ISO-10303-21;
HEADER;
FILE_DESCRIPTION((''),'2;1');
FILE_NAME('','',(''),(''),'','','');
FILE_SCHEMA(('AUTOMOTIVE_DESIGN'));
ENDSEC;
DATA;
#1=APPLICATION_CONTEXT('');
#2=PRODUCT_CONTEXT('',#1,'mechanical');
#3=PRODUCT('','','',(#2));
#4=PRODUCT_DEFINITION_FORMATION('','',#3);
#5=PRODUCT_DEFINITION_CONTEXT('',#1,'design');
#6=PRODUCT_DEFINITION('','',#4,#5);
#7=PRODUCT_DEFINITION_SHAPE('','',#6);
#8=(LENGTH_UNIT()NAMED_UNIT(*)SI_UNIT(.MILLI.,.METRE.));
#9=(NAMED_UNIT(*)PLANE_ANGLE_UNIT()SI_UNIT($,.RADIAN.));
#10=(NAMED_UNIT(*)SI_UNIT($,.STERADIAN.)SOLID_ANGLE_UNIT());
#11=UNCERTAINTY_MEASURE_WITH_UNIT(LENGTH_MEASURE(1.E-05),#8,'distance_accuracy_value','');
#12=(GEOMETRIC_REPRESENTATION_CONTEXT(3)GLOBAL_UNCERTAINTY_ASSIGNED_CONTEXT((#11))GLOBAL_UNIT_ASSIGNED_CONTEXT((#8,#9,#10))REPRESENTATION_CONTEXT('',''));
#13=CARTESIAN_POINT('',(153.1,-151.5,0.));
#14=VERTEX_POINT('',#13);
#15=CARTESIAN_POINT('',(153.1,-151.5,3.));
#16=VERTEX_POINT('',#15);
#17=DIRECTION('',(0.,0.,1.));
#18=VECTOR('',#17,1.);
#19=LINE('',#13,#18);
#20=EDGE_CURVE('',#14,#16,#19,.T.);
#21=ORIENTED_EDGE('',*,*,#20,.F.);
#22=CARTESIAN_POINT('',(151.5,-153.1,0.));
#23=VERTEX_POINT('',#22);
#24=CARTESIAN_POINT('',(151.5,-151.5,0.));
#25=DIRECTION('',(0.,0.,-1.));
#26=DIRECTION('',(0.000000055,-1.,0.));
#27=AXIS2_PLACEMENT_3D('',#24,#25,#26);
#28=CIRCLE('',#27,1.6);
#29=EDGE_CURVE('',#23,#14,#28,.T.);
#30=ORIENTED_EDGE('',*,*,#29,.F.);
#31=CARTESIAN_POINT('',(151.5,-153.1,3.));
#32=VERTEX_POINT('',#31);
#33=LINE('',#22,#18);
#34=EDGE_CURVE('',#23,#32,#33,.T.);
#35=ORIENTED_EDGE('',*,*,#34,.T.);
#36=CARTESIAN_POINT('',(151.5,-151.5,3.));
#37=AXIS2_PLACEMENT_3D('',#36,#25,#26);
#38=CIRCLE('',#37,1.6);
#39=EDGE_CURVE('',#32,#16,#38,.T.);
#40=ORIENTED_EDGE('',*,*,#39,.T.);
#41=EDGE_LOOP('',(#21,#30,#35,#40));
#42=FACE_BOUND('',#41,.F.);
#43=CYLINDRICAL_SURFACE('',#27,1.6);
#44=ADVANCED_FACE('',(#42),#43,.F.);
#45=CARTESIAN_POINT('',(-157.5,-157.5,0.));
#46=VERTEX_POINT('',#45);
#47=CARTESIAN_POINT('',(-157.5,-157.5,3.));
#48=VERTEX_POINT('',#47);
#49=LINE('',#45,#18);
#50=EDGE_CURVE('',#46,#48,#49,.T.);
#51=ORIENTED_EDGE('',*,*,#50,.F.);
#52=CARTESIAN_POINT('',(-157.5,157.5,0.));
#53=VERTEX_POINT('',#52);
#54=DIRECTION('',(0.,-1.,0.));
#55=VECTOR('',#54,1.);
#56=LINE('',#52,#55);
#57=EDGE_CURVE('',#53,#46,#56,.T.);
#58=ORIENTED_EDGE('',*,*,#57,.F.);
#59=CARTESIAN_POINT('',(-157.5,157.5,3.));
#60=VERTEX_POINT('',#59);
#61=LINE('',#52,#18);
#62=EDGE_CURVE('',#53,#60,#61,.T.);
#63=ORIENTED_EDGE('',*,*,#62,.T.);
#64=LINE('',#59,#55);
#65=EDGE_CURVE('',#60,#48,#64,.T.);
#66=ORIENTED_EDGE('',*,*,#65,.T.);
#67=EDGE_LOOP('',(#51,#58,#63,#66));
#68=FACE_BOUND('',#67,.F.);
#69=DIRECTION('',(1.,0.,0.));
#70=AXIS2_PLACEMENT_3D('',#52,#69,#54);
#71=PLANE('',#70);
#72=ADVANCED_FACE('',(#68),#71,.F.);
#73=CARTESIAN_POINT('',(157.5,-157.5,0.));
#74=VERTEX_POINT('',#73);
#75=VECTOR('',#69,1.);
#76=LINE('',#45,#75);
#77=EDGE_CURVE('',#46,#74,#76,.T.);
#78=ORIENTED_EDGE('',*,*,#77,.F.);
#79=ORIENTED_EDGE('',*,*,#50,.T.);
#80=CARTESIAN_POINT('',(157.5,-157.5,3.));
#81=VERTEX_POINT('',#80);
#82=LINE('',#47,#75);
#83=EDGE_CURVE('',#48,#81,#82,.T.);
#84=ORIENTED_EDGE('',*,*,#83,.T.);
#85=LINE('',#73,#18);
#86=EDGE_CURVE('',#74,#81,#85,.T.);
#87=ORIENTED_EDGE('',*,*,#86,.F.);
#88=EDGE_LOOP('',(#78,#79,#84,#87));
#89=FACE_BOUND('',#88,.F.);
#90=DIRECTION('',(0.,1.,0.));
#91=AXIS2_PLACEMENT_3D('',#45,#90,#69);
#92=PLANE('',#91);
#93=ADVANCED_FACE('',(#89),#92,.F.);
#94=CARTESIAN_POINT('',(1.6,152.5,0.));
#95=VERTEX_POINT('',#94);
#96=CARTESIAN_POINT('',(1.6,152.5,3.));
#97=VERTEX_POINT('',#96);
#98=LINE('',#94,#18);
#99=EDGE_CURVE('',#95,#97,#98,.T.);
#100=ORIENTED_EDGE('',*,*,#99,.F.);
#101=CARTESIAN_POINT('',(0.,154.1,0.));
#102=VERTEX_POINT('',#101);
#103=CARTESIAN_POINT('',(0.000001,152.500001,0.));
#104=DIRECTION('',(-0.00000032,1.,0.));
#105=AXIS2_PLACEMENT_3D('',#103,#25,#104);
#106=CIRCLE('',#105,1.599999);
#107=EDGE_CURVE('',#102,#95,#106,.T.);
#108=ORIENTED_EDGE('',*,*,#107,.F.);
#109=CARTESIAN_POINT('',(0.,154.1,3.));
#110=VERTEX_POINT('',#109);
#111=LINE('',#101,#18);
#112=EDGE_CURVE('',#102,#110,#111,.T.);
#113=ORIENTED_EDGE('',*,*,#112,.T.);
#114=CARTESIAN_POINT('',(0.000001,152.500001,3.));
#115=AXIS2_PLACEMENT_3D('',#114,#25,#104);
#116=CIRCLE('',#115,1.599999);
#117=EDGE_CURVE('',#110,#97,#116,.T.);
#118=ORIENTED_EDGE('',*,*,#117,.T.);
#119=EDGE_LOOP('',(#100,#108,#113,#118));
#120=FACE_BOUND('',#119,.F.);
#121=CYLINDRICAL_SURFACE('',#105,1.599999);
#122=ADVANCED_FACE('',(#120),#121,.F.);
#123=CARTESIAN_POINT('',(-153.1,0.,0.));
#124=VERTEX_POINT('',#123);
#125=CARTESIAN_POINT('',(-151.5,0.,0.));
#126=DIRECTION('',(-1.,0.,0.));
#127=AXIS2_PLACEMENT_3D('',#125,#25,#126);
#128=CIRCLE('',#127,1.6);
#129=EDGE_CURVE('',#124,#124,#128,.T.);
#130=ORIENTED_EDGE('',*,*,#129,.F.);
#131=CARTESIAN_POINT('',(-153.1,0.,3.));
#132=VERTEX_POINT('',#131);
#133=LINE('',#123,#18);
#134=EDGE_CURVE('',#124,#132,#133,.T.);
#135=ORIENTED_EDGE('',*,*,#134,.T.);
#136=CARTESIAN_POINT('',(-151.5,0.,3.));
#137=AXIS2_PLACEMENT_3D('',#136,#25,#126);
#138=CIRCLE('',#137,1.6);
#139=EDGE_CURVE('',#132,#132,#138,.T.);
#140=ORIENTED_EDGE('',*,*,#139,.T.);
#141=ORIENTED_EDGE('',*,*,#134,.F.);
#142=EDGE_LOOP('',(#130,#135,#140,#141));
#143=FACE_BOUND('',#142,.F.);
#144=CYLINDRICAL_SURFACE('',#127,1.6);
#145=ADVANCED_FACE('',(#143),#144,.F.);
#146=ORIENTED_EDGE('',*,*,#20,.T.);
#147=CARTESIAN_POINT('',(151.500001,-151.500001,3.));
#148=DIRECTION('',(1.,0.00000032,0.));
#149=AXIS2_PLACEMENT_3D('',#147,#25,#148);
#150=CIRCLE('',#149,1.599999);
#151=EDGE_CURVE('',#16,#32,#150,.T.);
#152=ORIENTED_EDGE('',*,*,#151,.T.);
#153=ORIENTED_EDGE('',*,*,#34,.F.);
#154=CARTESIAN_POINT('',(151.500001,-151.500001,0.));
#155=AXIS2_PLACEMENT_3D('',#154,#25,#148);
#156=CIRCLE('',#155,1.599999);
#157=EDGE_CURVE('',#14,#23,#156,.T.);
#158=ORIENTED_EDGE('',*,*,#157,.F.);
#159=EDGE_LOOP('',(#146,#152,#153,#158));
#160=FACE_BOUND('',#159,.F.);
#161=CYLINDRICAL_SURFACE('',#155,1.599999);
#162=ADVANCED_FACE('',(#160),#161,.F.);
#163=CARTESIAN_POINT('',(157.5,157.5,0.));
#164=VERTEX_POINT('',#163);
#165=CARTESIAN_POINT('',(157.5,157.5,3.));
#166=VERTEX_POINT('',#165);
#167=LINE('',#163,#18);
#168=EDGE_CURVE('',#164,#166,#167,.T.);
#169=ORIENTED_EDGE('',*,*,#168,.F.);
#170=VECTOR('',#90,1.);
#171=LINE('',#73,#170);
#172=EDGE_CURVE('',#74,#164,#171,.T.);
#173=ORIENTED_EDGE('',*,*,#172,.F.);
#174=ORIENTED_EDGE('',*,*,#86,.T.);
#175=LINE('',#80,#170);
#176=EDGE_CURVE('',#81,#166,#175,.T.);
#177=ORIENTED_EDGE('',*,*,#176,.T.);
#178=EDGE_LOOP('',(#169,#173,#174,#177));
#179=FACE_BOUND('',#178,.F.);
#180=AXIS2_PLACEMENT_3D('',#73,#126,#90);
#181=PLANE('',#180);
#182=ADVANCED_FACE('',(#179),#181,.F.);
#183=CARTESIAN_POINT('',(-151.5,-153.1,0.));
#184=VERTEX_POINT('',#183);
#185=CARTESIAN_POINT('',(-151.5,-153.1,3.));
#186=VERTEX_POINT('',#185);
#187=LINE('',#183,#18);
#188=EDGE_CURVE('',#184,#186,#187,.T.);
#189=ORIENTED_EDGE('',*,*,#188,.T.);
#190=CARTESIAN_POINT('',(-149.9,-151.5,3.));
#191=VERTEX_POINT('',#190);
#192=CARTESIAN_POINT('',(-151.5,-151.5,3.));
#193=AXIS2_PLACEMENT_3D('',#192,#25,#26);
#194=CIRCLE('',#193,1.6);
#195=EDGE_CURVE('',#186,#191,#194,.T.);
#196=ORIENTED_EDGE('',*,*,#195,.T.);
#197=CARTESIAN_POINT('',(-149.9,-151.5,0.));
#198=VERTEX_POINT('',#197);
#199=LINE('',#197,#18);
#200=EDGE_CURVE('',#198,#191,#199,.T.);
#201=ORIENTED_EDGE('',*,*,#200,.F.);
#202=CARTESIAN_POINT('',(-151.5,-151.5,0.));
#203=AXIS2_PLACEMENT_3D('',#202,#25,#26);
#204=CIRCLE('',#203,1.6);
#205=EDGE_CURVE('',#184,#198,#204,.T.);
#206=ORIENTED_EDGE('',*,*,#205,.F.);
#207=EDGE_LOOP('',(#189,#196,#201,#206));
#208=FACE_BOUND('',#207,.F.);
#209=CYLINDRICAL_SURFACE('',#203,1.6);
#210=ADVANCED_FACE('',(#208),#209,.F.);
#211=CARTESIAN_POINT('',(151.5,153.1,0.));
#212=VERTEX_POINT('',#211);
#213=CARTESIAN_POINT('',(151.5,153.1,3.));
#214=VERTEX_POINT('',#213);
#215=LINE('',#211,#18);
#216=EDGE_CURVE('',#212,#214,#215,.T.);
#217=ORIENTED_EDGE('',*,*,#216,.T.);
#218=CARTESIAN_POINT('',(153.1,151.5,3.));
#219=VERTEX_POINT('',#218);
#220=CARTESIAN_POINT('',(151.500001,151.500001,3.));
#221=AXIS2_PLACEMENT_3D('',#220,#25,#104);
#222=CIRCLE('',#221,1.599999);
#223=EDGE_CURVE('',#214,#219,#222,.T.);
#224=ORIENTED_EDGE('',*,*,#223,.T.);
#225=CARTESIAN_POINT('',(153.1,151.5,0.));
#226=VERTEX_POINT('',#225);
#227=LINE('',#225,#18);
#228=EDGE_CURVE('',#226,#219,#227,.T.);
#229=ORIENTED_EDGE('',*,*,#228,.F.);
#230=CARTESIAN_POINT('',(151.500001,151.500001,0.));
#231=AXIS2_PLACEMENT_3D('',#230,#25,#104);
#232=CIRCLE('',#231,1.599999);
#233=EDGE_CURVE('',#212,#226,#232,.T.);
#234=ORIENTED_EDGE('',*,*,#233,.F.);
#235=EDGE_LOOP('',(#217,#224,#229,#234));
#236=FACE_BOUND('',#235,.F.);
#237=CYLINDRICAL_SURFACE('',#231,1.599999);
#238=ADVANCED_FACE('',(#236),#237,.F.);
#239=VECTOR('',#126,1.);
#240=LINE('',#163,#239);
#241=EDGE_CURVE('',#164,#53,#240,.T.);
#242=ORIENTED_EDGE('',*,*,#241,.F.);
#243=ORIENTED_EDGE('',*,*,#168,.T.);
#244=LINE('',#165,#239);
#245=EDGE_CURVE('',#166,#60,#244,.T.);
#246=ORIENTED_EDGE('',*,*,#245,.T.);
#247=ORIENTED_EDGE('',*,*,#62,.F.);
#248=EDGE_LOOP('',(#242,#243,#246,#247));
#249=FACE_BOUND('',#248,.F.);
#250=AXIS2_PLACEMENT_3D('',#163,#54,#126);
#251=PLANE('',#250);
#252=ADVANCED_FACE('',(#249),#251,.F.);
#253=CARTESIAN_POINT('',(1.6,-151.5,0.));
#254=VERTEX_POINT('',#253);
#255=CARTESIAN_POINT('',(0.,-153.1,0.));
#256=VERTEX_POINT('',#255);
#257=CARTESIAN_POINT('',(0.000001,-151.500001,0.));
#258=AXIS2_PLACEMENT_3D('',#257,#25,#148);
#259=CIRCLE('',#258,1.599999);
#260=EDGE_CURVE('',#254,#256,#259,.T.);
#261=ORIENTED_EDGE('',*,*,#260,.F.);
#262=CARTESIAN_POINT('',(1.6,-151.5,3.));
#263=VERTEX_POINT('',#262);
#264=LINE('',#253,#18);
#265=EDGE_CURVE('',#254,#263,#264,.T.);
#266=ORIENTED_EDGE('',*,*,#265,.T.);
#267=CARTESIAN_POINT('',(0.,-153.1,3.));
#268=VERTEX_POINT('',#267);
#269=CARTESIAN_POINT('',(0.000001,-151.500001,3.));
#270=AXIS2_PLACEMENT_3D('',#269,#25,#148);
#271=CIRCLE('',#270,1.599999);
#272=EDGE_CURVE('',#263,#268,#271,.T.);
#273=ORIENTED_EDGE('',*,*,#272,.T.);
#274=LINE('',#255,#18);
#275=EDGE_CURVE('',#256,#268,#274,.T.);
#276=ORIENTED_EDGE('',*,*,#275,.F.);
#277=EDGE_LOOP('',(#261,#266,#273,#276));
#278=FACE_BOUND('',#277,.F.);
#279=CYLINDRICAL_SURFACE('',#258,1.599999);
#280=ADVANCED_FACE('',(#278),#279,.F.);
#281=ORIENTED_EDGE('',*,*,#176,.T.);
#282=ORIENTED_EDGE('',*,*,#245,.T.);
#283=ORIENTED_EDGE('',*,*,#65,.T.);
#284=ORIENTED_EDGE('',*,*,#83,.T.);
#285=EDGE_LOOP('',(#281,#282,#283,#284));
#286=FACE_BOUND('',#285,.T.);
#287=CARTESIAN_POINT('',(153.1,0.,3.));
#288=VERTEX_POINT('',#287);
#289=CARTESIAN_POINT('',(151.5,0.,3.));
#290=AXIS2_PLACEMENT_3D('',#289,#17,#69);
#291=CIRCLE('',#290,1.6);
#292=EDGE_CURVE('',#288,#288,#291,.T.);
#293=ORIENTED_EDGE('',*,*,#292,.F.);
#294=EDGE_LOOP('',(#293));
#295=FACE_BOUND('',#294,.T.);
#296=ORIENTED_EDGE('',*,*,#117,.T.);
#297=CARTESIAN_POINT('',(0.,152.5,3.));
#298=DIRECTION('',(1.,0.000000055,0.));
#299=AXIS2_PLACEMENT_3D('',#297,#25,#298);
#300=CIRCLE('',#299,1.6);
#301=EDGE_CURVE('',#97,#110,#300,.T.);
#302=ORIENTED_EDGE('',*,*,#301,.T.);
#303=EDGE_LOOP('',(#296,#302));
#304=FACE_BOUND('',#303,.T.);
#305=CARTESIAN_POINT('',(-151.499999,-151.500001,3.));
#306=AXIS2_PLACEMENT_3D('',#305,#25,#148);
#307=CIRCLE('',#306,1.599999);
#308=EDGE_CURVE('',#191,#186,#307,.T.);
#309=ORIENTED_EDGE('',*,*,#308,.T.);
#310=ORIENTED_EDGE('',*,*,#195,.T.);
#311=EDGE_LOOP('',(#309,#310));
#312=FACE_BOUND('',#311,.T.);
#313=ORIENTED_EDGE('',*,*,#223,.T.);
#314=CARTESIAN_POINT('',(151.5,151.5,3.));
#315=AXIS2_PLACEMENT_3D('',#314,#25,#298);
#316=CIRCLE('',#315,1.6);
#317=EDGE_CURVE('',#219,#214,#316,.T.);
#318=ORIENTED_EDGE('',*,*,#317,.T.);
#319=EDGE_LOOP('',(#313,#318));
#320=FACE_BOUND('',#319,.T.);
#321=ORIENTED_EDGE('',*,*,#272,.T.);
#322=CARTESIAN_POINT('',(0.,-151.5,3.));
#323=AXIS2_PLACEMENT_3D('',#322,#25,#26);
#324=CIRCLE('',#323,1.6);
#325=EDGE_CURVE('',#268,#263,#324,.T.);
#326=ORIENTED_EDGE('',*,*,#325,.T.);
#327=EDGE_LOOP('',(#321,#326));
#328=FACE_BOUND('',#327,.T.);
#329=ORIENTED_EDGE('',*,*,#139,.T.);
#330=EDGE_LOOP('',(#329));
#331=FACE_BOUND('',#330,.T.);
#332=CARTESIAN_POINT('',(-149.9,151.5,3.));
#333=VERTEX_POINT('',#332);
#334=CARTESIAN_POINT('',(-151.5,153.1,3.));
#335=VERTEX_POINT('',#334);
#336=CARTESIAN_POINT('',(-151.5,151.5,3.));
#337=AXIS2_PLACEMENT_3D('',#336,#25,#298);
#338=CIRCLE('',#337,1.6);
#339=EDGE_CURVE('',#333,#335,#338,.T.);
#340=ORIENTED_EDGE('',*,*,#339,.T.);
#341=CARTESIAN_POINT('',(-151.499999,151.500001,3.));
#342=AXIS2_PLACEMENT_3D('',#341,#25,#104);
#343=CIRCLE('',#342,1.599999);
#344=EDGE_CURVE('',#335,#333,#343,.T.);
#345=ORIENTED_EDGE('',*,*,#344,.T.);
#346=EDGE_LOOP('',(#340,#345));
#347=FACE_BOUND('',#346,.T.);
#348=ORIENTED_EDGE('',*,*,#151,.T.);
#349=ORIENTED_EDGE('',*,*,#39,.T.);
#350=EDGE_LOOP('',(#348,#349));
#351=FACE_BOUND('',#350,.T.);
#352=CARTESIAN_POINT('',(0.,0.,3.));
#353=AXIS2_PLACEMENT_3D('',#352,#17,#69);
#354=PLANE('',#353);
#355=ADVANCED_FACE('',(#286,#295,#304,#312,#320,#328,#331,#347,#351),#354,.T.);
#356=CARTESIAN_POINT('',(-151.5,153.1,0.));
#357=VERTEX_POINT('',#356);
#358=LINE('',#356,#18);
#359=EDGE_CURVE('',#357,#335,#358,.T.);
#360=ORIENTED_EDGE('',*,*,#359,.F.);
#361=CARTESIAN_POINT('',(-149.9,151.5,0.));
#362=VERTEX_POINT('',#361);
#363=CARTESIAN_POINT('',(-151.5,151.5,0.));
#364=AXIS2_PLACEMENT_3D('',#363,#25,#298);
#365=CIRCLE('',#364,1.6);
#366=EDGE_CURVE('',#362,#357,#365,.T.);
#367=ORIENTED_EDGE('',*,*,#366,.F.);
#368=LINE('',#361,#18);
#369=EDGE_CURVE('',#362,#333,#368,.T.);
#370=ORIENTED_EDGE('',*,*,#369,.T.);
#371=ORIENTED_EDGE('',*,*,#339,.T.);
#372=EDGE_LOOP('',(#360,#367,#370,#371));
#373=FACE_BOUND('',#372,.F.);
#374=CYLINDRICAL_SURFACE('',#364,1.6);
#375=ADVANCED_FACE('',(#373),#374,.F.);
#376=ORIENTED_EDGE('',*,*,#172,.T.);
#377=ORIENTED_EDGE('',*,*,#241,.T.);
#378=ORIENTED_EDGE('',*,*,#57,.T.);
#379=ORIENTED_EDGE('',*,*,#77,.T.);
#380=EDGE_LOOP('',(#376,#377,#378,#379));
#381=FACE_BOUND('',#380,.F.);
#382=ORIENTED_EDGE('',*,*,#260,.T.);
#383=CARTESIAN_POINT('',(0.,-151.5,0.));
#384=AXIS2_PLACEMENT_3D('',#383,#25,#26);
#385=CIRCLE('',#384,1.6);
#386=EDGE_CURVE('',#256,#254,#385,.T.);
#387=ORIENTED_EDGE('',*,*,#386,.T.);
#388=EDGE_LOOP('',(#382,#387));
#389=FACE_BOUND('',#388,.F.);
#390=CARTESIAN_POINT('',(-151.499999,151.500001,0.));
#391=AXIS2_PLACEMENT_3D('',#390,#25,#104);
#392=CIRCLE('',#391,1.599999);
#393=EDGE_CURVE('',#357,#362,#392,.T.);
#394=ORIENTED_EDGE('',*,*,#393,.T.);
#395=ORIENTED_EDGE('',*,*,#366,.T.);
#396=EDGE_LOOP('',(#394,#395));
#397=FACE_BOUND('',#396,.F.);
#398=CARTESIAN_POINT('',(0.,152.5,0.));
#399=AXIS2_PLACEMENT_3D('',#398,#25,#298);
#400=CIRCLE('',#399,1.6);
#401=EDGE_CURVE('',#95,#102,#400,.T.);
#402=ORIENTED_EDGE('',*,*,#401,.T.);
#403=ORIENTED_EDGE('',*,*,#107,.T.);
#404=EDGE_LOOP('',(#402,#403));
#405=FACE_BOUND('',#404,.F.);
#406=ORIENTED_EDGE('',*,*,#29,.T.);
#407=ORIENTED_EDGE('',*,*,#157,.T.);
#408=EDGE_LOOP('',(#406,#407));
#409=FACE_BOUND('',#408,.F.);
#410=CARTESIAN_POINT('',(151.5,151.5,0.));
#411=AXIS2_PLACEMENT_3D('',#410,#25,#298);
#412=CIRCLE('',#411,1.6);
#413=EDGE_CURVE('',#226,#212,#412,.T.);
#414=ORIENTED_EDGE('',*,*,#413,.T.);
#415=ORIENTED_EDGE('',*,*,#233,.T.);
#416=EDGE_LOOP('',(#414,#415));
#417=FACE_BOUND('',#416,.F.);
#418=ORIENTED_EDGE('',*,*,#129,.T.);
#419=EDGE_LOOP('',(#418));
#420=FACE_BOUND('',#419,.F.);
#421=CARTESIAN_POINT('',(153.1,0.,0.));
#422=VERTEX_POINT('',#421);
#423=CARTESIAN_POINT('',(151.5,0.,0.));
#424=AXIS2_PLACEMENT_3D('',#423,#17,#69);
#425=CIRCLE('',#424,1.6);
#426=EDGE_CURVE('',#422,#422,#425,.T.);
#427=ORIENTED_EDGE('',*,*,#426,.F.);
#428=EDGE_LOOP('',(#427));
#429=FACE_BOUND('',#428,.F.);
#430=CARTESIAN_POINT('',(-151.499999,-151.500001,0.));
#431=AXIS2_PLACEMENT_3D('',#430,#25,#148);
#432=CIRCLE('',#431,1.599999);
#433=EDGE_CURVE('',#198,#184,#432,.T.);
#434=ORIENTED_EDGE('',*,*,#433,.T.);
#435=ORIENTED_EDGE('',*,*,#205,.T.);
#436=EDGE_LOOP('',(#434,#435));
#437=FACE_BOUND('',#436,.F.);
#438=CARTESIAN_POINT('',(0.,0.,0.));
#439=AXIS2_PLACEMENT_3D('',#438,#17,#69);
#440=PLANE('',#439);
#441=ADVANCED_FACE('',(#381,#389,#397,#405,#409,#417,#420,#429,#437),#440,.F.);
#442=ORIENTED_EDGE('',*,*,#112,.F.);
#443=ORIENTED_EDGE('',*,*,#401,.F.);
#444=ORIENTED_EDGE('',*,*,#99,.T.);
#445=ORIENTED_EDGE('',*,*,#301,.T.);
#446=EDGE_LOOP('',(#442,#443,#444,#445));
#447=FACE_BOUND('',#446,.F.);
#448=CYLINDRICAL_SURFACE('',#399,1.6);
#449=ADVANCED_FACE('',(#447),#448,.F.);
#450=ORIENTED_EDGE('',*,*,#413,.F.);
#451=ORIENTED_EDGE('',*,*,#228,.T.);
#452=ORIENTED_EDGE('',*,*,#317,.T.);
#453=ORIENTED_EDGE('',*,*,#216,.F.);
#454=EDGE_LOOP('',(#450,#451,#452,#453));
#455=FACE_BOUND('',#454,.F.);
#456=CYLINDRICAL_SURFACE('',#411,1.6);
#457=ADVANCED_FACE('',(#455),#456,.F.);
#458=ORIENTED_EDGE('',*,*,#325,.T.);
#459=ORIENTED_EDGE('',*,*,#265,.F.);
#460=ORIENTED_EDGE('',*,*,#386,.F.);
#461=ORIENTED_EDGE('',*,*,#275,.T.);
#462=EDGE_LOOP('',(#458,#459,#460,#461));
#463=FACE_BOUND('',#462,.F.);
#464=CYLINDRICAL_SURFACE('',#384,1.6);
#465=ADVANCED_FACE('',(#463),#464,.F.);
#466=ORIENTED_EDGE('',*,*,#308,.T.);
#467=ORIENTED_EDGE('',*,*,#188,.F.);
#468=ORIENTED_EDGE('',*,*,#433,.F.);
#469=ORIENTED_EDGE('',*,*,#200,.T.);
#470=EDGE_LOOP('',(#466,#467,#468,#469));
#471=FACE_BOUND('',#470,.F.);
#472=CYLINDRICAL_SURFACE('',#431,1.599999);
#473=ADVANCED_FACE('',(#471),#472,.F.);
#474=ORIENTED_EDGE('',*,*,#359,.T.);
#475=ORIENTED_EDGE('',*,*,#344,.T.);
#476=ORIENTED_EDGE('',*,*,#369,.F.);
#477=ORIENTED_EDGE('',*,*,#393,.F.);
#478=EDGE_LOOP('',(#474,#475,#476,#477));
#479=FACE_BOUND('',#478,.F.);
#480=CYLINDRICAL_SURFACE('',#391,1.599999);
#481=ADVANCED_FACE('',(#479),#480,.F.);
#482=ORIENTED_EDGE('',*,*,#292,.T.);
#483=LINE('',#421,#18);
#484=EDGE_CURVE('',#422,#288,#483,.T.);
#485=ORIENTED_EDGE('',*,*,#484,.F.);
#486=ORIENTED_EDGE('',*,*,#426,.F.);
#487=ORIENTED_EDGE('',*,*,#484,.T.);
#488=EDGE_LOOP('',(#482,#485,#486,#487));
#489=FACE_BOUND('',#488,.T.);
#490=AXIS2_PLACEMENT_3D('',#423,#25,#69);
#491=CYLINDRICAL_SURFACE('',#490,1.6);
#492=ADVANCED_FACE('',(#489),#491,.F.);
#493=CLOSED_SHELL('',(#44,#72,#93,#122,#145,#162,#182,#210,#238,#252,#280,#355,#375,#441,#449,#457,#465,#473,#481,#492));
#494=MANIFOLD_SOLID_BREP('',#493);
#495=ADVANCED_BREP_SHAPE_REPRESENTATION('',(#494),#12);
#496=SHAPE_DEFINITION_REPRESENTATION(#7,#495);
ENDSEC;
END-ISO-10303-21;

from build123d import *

# Parameters (mm, degrees)
F0_R     = 1.6
F1_DEPTH = 3


with BuildPart() as f1:
    # F0 (on Top) → F1 (new body)
    with BuildSketch(Plane.XY):
        Polygon((-151.5, 157.5), (-157.5, 157.5), (-157.5, 0), (-157.5, -157.5), (-151.5, -157.5), (0, -157.5), (151.5, -157.5), (157.5, -157.5), (157.5, 0), (157.5, 157.5), (151.5, 157.5), (0, 157.5), align=None)
        with BuildLine():
            ThreePointArc((-149.9, -151.5), (-150.368629, -152.631371), (-151.5, -153.1))
            ThreePointArc((-151.5, -153.1), (-152.631371, -150.368629), (-149.9, -151.5))
        make_face(mode=Mode.SUBTRACT)
        with BuildLine():
            ThreePointArc((1.6, -151.5), (1.131371, -152.631371), (0, -153.1))
            ThreePointArc((0, -153.1), (-1.131371, -150.368629), (1.6, -151.5))
        make_face(mode=Mode.SUBTRACT)
        with BuildLine():
            ThreePointArc((153.1, -151.5), (152.631371, -152.631371), (151.5, -153.1))
            ThreePointArc((151.5, -153.1), (150.368629, -150.368629), (153.1, -151.5))
        make_face(mode=Mode.SUBTRACT)
        with BuildLine():
            ThreePointArc((-149.9, 0), (-151.5, -1.6), (-153.1, 0))
            ThreePointArc((-153.1, 0), (-151.5, 1.6), (-149.9, 0))
        make_face(mode=Mode.SUBTRACT)
        with BuildLine():
            ThreePointArc((-149.9, 151.5), (-152.631371, 150.368629), (-151.5, 153.1))
            ThreePointArc((-151.5, 153.1), (-150.368629, 152.631371), (-149.9, 151.5))
        make_face(mode=Mode.SUBTRACT)
        with Locations((151.5, 0)):
            Circle(F0_R, mode=Mode.SUBTRACT)
        with BuildLine():
            ThreePointArc((1.6, 152.5), (-1.131371, 151.368629), (0, 154.1))
            ThreePointArc((0, 154.1), (1.131371, 153.631371), (1.6, 152.5))
        make_face(mode=Mode.SUBTRACT)
        with BuildLine():
            ThreePointArc((153.1, 151.5), (150.368629, 150.368629), (151.5, 153.1))
            ThreePointArc((151.5, 153.1), (152.631371, 152.631371), (153.1, 151.5))
        make_face(mode=Mode.SUBTRACT)
    extrude(amount=F1_DEPTH)


solid = f1.part
